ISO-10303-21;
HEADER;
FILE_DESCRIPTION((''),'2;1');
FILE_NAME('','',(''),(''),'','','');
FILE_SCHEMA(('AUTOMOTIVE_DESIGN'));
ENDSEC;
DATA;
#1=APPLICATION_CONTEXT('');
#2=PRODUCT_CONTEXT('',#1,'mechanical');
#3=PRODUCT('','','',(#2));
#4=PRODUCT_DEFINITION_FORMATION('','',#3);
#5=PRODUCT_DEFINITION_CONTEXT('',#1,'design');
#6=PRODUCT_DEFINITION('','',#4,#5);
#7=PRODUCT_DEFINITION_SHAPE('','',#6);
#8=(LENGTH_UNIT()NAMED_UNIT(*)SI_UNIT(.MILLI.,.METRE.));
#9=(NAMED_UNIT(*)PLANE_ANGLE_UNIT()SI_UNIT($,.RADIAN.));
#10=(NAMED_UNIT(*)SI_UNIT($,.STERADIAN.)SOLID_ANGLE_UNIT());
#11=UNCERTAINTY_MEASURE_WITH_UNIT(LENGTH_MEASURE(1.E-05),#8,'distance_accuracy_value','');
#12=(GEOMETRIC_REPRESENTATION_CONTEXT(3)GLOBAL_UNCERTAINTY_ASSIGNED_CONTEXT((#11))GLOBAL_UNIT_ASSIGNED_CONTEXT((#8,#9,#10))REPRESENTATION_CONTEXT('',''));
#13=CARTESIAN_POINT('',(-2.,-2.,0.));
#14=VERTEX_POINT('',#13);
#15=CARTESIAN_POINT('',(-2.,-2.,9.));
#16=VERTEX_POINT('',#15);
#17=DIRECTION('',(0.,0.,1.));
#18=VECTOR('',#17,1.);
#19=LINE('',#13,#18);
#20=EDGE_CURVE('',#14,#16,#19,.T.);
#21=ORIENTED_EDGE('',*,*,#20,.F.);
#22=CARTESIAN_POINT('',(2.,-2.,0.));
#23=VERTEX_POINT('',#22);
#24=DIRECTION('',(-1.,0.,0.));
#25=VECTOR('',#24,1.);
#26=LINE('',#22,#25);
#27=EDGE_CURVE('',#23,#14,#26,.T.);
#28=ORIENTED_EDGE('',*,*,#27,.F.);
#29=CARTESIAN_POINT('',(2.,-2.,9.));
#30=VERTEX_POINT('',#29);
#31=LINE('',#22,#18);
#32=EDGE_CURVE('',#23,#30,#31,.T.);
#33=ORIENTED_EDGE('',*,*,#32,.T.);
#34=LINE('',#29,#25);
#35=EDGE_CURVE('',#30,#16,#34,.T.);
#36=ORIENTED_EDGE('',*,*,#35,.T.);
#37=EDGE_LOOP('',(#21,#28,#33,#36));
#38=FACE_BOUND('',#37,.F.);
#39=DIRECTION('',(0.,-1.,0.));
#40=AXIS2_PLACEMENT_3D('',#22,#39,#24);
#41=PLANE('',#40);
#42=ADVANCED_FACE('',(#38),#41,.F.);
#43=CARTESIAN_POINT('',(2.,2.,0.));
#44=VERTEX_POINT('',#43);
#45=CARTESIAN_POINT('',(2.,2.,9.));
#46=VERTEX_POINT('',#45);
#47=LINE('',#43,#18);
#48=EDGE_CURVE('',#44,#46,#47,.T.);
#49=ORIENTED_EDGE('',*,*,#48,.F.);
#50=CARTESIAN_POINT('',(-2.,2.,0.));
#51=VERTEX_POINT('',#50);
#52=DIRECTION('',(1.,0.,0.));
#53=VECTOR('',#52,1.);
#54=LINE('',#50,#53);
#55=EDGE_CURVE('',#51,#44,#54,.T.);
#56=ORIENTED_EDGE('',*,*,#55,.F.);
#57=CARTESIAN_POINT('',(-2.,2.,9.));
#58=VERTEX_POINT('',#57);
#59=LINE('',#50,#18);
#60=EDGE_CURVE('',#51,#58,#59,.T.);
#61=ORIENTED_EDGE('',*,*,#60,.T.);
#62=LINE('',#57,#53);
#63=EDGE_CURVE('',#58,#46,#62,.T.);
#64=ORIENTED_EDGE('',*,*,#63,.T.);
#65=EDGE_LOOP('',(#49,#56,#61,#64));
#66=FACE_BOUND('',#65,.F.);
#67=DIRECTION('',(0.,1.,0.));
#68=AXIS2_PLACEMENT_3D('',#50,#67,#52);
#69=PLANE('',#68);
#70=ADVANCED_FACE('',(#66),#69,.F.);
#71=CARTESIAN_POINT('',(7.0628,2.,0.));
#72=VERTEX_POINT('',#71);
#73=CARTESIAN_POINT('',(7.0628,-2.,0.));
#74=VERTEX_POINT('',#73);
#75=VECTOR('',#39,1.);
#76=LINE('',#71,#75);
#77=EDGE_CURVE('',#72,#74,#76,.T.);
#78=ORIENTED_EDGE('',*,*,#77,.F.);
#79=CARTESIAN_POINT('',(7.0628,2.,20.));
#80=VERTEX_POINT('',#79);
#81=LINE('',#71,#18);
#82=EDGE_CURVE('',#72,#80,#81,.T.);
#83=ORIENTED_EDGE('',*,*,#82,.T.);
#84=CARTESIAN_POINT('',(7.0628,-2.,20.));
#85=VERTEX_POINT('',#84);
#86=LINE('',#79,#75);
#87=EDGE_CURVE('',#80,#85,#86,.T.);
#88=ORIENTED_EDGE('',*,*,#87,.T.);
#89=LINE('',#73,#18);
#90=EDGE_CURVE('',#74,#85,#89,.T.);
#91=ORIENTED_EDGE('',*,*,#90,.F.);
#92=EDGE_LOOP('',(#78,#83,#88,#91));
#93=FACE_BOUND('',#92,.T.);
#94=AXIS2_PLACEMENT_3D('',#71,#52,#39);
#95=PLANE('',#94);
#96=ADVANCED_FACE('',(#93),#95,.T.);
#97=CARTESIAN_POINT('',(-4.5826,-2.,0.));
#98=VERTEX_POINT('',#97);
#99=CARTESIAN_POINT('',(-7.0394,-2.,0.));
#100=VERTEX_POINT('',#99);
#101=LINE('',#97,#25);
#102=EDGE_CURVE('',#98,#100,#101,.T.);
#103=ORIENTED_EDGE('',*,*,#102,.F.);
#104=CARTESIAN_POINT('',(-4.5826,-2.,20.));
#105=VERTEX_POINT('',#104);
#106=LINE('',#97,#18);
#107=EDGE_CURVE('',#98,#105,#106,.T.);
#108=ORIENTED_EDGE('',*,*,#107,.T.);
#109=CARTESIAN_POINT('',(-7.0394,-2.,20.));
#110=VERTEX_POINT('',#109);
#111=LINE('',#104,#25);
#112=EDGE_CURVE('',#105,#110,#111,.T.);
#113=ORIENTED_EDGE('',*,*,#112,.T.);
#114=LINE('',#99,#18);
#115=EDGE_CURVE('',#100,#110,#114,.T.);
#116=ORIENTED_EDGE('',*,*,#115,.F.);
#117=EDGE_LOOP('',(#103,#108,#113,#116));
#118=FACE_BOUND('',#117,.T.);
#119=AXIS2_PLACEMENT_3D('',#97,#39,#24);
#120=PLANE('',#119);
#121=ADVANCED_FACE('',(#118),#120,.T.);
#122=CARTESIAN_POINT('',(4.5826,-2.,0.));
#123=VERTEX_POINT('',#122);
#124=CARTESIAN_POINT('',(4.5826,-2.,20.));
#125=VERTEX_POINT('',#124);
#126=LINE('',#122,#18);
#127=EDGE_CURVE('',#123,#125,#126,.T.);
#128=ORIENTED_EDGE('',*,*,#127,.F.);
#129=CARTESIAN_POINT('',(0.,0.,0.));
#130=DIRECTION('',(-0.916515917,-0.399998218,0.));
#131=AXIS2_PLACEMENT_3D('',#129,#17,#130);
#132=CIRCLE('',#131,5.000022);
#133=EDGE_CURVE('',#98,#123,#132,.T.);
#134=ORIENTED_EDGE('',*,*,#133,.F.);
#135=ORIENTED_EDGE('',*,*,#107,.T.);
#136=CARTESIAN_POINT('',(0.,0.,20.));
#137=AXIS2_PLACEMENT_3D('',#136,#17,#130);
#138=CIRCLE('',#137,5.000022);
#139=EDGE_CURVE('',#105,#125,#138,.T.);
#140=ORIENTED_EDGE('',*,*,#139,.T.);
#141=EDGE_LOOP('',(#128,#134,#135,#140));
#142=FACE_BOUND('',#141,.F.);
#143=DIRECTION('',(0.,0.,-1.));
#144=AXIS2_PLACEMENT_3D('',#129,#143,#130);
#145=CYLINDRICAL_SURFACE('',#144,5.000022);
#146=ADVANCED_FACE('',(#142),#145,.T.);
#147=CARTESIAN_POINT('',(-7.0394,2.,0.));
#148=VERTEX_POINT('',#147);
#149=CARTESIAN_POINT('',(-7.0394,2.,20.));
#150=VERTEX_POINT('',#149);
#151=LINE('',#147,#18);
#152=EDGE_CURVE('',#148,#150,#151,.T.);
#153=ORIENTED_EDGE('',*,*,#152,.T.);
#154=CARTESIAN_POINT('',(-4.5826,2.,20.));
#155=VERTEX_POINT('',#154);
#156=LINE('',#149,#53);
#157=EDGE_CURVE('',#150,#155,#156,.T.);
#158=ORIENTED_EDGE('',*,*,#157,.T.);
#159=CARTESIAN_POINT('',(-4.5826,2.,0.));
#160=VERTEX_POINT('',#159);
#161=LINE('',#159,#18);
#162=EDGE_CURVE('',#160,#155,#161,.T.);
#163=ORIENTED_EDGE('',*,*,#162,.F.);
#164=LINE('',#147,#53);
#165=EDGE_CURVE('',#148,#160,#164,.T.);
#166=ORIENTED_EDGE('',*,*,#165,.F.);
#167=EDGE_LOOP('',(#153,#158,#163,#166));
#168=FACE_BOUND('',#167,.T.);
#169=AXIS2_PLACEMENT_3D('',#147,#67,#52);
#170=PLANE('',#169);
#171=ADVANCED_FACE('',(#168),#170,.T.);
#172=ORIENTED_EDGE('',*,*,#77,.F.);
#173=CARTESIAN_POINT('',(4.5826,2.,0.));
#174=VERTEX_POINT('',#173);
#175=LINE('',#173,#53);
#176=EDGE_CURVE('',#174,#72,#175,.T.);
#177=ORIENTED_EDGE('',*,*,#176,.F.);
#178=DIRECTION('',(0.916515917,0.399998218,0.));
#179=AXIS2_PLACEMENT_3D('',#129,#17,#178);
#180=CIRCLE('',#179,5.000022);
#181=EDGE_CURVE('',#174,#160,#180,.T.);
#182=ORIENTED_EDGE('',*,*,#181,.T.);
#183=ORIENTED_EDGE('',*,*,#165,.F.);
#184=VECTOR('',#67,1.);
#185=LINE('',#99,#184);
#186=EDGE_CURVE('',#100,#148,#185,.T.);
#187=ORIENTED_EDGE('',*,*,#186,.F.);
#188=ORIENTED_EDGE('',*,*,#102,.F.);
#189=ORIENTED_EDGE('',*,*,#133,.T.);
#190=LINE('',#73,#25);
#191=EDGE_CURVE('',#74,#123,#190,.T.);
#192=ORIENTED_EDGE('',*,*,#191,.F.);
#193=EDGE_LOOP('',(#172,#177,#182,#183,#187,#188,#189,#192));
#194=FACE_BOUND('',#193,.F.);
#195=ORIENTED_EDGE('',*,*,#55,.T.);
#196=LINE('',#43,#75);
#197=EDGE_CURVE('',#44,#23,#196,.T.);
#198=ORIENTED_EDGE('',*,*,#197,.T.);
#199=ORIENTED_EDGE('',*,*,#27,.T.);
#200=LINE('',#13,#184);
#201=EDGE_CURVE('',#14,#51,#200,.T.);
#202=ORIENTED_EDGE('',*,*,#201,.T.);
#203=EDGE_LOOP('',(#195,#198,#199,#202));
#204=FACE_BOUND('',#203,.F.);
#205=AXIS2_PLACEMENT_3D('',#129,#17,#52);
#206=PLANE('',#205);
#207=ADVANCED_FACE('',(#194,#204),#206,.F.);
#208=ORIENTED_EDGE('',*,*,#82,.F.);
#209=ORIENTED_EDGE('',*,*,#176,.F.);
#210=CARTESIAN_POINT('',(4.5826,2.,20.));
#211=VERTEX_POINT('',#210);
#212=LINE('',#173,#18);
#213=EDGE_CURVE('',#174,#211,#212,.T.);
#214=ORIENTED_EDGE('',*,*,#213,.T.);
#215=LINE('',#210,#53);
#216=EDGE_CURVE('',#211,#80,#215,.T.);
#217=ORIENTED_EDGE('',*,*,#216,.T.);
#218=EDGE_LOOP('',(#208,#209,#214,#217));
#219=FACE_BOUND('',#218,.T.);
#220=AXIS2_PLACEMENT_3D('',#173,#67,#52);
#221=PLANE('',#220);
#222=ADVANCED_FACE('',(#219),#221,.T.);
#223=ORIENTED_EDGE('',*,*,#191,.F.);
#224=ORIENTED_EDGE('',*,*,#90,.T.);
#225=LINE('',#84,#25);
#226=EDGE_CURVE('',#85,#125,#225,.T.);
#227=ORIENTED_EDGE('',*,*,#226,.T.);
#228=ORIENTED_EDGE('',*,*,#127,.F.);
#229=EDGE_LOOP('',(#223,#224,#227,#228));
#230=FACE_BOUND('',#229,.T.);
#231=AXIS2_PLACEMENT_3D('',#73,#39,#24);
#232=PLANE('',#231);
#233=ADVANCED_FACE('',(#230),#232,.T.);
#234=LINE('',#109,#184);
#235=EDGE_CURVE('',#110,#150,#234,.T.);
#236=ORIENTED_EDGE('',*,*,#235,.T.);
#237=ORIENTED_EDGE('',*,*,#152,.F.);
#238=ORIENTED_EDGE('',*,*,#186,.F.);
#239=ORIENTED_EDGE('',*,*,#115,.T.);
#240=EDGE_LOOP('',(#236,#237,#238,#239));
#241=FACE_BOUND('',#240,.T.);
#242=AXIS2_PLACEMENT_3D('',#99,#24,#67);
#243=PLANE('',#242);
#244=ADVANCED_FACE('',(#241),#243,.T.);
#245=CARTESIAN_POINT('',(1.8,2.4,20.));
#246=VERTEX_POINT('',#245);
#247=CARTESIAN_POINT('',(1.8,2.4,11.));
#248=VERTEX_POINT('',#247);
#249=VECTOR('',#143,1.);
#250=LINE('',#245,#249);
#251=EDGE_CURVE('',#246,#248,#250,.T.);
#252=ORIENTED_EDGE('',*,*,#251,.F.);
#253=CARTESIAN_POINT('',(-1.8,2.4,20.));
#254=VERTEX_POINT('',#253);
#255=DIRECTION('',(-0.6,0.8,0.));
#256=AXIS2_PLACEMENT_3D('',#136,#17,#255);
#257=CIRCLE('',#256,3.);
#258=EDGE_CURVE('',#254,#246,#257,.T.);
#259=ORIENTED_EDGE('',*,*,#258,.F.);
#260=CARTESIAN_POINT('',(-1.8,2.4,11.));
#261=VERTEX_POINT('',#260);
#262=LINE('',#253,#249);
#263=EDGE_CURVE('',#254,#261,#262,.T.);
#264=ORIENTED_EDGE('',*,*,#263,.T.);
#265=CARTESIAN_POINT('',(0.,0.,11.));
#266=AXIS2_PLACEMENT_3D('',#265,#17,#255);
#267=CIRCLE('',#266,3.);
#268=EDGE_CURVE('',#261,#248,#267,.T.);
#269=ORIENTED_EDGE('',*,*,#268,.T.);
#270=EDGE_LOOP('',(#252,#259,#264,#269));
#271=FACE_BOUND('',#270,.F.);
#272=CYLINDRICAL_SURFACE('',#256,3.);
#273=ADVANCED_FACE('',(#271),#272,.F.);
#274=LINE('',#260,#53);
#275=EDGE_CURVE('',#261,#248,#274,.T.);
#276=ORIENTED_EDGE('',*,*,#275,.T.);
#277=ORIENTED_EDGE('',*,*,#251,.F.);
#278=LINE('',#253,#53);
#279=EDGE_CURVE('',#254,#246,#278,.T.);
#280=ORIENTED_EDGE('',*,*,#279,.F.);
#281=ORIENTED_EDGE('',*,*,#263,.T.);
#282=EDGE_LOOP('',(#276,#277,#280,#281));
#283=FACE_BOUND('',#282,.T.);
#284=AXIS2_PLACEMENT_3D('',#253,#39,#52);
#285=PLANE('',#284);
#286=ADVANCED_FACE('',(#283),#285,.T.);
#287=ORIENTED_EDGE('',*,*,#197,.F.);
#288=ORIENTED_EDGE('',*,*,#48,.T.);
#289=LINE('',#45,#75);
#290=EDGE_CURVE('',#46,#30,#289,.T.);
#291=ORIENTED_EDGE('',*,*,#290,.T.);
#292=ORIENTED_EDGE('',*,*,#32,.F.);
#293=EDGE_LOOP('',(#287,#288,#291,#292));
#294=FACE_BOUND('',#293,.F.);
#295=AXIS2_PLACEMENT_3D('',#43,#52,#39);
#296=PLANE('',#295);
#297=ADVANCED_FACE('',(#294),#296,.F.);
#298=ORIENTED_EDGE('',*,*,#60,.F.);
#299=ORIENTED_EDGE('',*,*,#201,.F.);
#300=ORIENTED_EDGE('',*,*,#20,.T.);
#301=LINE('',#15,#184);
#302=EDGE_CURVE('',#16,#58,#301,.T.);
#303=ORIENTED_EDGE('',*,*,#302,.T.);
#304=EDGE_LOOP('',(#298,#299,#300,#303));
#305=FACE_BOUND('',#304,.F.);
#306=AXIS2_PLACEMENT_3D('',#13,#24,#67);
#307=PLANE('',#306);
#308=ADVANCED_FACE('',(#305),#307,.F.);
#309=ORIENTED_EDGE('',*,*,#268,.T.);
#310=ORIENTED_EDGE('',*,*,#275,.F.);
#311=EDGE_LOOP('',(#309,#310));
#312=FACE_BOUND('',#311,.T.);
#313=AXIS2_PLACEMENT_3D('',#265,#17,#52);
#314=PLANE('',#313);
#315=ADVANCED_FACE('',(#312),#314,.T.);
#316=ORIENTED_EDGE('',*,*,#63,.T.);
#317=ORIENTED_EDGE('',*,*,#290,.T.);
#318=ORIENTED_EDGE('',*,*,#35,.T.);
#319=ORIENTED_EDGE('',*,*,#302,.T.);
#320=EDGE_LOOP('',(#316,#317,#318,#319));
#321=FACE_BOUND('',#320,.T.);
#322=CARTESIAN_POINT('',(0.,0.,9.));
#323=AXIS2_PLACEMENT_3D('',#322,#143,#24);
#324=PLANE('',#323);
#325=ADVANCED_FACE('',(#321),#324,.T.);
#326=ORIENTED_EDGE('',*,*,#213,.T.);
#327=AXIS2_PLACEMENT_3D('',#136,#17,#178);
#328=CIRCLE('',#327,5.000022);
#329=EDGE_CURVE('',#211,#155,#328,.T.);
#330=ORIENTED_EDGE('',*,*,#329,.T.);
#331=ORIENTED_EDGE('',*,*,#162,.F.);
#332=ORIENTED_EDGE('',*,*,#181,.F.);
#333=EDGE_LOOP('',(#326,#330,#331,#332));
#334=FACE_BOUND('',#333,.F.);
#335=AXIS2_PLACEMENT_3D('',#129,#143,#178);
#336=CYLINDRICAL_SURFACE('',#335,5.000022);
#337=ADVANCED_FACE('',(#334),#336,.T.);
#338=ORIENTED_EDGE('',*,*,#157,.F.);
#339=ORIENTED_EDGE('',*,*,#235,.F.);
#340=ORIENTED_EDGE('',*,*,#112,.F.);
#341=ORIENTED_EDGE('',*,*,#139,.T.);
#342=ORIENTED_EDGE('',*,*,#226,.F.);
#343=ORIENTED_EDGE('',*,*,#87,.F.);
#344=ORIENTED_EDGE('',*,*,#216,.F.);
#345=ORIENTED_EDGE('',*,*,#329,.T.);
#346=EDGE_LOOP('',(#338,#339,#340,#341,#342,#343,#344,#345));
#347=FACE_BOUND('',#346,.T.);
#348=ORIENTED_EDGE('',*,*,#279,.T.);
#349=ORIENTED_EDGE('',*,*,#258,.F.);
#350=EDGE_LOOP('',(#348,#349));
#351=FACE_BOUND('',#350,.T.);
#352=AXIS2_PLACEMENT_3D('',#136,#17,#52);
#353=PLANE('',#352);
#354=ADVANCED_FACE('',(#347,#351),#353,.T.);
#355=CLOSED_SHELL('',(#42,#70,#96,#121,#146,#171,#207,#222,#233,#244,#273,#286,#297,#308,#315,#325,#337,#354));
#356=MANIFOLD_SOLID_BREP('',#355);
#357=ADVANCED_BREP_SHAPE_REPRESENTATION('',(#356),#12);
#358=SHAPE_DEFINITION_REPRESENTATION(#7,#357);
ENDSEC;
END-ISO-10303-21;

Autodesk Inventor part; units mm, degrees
ref_plane "YZ Plane" through (0, 0, 0) normal (1, 0, 0) x (0, 1, 0)
ref_plane "XZ Plane" through (0, 0, 0) normal (0, 1, 0) x (-1, 0, 0)
ref_plane "XY Plane" through (0, 0, 0) normal (0, 0, 1) x (1, 0, 0)
sketch "Sketch1" plane through (0, 0, 0) normal (0, 0, 1) x (1, 0, 0)
  line L0 (7.0628, 2) -> (7.0628, -2)
  line L1 (-7.0394, -2) -> (-7.0394, 2)
  line L2 (-7.0394, 2) -> (-4.5826, 2)
  line L3 (4.5826, 2) -> (7.0628, 2)
  line L4 (7.0628, -2) -> (4.5826, -2)
  line L5 (-4.5826, -2) -> (-7.0394, -2)
  arc A0 (-4.5826, -2) -> (4.5826, -2) centre (0, 0) ccw
  arc A1 (4.5826, 2) -> (-4.5826, 2) centre (0, 0) ccw
extrude "Extrusion1" add sketch "Sketch1" along normal blind 20
sketch "Sketch2" plane through (0, 0, 20) normal (0, 0, 1) x (1, 0, 0)
  arc A0 (-1.8, 2.4) -> (1.8, 2.4) centre (0, 0) ccw
  line L0 (-1.8, 2.4) -> (1.8, 2.4)
  dimension "d2" = 6
extrude "Extrusion2" cut sketch "Sketch2" against normal blind 9
sketch "Sketch3" plane through (0, 0, 0) normal (0, 0, -1) x (-1, 0, 0)
  line L0 (2, 2) -> (-2, 2)
  line L1 (-2, 2) -> (-2, -2)
  line L2 (-2, -2) -> (2, -2)
  line L3 (2, -2) -> (2, 2)
  line L4 (2, 2) -> (-2, -2) construction
  line L5 (-2, 2) -> (2, -2) construction
  point P0 (0, 0)
  dimension "d5" = 4
  dimension "d6" = 4
extrude "Extrusion3" cut sketch "Sketch3" against normal blind 9
properties part number "DispenserCoupling"
